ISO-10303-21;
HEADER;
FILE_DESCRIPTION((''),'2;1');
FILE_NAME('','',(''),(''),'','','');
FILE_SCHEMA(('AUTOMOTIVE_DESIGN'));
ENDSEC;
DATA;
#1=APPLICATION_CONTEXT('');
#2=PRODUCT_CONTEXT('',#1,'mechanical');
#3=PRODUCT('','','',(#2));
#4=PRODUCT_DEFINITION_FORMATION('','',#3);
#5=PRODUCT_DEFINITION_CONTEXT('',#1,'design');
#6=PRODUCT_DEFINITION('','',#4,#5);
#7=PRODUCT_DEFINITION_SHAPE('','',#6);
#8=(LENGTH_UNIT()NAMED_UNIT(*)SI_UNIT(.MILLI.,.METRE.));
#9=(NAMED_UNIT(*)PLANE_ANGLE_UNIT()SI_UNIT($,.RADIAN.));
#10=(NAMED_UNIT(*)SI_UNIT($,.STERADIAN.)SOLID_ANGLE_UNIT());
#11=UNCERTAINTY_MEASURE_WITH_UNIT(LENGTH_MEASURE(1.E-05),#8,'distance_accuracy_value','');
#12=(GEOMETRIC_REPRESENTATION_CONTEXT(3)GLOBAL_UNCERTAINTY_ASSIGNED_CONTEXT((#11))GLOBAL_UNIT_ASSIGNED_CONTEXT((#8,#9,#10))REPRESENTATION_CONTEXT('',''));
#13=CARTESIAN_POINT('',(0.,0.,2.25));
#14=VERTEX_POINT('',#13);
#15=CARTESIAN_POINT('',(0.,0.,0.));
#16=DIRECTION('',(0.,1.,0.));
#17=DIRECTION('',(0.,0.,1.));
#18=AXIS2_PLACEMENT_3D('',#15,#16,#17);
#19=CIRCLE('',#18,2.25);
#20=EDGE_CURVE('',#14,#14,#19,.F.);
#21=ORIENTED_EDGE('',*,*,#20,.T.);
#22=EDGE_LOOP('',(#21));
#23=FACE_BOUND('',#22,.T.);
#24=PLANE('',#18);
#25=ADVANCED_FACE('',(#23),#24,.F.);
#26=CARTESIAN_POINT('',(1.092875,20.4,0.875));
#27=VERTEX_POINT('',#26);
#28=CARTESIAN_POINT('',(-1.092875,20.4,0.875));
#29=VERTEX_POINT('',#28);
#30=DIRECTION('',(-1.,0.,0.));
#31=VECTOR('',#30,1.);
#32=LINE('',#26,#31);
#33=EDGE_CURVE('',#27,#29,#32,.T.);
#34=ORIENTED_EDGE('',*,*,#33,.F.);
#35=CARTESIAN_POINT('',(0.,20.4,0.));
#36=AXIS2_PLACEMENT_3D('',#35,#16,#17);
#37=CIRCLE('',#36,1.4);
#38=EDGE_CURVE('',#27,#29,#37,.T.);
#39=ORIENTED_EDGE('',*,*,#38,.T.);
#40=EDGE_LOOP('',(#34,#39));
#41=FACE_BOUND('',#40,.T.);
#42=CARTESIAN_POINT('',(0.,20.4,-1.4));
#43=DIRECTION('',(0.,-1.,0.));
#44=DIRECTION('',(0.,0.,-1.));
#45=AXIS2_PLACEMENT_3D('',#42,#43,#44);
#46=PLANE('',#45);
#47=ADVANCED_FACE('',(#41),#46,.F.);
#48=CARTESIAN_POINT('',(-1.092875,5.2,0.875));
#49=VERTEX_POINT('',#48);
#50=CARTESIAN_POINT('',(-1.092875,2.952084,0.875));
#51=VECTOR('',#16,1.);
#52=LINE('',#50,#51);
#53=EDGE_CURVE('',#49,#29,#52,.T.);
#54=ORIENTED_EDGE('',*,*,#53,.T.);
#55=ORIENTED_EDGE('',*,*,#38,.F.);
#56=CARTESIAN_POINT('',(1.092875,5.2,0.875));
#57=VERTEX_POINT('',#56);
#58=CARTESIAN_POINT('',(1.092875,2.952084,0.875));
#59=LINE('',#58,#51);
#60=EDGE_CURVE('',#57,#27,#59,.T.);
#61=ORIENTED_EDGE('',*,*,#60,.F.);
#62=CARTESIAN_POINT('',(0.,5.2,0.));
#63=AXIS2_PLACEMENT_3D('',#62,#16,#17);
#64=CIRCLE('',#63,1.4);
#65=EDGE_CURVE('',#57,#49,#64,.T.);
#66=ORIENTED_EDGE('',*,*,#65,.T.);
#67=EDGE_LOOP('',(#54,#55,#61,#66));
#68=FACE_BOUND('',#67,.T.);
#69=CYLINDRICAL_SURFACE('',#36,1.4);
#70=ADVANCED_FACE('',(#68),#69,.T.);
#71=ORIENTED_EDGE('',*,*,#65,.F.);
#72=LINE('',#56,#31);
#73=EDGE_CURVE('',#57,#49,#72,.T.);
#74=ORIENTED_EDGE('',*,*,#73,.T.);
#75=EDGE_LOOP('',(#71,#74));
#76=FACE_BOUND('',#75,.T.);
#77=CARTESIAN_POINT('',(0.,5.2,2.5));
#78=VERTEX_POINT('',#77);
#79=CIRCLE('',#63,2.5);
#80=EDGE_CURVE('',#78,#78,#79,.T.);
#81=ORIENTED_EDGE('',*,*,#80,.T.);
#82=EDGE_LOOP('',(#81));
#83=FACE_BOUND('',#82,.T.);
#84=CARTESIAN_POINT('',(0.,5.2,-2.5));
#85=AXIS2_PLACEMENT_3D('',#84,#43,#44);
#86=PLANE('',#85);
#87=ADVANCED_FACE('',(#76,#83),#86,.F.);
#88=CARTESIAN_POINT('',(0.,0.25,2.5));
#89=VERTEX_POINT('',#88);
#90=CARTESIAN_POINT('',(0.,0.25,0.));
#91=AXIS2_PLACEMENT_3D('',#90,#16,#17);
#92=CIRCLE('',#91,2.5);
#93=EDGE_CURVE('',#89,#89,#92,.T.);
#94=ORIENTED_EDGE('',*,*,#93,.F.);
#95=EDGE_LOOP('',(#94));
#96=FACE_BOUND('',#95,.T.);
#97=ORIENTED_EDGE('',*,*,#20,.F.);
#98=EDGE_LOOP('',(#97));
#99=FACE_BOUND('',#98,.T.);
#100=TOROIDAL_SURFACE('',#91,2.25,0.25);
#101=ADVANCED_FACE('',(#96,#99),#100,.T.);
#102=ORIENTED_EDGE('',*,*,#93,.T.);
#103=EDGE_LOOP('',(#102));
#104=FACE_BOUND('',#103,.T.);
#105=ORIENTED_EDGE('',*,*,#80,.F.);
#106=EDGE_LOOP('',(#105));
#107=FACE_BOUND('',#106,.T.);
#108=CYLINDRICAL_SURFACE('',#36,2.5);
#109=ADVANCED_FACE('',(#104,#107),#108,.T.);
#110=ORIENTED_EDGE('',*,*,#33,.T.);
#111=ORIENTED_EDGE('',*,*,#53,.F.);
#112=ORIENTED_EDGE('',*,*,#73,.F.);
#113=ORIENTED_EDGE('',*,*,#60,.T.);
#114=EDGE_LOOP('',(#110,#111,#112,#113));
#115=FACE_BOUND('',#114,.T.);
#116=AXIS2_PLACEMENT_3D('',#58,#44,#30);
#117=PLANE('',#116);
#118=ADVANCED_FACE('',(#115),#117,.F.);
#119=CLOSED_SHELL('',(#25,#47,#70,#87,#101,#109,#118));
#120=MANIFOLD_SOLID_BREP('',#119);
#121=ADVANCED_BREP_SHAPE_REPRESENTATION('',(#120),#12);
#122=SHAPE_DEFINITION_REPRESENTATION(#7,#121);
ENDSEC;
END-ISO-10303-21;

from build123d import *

# Parameters (mm, degrees)
FILLET1_R          = 0.25
CUT_EXTRUDE1_DEPTH = 15.2


with BuildPart() as part:
    # Sketch2 → Revolve1 (revolve)
    with BuildSketch(Plane(origin=(0, 0, 0), x_dir=(0, 0, -1), z_dir=(1, 0, 0))):
        Polygon((0, 0), (2.5, 0), (2.5, 5.2), (1.4, 5.2), (1.4, 20.4), (0, 20.4), align=None)
    revolve(axis=Axis((0, 20.4, 0), (0, -1, 0)))

    # Fillet1
    fillet1_edges = [part.edges().sort_by_distance(p)[0] for p in [
        (0, 0, 2.5),
    ]]
    fillet(fillet1_edges, radius=FILLET1_R)

    # Sketch3 → Cut-Extrude1 (cut)
    with BuildSketch(Plane(origin=(0, 20.4, 0), x_dir=(1, 0, 0), z_dir=(0, 1, 0))):
        with BuildLine():
            Line((1.09287465, -0.875), (-1.09287465, -0.875))
            ThreePointArc((-1.09287465, -0.875), (0, -1.4), (1.09287465, -0.875))
        make_face()
    extrude(amount=-CUT_EXTRUDE1_DEPTH, mode=Mode.SUBTRACT)


solid = part.part
